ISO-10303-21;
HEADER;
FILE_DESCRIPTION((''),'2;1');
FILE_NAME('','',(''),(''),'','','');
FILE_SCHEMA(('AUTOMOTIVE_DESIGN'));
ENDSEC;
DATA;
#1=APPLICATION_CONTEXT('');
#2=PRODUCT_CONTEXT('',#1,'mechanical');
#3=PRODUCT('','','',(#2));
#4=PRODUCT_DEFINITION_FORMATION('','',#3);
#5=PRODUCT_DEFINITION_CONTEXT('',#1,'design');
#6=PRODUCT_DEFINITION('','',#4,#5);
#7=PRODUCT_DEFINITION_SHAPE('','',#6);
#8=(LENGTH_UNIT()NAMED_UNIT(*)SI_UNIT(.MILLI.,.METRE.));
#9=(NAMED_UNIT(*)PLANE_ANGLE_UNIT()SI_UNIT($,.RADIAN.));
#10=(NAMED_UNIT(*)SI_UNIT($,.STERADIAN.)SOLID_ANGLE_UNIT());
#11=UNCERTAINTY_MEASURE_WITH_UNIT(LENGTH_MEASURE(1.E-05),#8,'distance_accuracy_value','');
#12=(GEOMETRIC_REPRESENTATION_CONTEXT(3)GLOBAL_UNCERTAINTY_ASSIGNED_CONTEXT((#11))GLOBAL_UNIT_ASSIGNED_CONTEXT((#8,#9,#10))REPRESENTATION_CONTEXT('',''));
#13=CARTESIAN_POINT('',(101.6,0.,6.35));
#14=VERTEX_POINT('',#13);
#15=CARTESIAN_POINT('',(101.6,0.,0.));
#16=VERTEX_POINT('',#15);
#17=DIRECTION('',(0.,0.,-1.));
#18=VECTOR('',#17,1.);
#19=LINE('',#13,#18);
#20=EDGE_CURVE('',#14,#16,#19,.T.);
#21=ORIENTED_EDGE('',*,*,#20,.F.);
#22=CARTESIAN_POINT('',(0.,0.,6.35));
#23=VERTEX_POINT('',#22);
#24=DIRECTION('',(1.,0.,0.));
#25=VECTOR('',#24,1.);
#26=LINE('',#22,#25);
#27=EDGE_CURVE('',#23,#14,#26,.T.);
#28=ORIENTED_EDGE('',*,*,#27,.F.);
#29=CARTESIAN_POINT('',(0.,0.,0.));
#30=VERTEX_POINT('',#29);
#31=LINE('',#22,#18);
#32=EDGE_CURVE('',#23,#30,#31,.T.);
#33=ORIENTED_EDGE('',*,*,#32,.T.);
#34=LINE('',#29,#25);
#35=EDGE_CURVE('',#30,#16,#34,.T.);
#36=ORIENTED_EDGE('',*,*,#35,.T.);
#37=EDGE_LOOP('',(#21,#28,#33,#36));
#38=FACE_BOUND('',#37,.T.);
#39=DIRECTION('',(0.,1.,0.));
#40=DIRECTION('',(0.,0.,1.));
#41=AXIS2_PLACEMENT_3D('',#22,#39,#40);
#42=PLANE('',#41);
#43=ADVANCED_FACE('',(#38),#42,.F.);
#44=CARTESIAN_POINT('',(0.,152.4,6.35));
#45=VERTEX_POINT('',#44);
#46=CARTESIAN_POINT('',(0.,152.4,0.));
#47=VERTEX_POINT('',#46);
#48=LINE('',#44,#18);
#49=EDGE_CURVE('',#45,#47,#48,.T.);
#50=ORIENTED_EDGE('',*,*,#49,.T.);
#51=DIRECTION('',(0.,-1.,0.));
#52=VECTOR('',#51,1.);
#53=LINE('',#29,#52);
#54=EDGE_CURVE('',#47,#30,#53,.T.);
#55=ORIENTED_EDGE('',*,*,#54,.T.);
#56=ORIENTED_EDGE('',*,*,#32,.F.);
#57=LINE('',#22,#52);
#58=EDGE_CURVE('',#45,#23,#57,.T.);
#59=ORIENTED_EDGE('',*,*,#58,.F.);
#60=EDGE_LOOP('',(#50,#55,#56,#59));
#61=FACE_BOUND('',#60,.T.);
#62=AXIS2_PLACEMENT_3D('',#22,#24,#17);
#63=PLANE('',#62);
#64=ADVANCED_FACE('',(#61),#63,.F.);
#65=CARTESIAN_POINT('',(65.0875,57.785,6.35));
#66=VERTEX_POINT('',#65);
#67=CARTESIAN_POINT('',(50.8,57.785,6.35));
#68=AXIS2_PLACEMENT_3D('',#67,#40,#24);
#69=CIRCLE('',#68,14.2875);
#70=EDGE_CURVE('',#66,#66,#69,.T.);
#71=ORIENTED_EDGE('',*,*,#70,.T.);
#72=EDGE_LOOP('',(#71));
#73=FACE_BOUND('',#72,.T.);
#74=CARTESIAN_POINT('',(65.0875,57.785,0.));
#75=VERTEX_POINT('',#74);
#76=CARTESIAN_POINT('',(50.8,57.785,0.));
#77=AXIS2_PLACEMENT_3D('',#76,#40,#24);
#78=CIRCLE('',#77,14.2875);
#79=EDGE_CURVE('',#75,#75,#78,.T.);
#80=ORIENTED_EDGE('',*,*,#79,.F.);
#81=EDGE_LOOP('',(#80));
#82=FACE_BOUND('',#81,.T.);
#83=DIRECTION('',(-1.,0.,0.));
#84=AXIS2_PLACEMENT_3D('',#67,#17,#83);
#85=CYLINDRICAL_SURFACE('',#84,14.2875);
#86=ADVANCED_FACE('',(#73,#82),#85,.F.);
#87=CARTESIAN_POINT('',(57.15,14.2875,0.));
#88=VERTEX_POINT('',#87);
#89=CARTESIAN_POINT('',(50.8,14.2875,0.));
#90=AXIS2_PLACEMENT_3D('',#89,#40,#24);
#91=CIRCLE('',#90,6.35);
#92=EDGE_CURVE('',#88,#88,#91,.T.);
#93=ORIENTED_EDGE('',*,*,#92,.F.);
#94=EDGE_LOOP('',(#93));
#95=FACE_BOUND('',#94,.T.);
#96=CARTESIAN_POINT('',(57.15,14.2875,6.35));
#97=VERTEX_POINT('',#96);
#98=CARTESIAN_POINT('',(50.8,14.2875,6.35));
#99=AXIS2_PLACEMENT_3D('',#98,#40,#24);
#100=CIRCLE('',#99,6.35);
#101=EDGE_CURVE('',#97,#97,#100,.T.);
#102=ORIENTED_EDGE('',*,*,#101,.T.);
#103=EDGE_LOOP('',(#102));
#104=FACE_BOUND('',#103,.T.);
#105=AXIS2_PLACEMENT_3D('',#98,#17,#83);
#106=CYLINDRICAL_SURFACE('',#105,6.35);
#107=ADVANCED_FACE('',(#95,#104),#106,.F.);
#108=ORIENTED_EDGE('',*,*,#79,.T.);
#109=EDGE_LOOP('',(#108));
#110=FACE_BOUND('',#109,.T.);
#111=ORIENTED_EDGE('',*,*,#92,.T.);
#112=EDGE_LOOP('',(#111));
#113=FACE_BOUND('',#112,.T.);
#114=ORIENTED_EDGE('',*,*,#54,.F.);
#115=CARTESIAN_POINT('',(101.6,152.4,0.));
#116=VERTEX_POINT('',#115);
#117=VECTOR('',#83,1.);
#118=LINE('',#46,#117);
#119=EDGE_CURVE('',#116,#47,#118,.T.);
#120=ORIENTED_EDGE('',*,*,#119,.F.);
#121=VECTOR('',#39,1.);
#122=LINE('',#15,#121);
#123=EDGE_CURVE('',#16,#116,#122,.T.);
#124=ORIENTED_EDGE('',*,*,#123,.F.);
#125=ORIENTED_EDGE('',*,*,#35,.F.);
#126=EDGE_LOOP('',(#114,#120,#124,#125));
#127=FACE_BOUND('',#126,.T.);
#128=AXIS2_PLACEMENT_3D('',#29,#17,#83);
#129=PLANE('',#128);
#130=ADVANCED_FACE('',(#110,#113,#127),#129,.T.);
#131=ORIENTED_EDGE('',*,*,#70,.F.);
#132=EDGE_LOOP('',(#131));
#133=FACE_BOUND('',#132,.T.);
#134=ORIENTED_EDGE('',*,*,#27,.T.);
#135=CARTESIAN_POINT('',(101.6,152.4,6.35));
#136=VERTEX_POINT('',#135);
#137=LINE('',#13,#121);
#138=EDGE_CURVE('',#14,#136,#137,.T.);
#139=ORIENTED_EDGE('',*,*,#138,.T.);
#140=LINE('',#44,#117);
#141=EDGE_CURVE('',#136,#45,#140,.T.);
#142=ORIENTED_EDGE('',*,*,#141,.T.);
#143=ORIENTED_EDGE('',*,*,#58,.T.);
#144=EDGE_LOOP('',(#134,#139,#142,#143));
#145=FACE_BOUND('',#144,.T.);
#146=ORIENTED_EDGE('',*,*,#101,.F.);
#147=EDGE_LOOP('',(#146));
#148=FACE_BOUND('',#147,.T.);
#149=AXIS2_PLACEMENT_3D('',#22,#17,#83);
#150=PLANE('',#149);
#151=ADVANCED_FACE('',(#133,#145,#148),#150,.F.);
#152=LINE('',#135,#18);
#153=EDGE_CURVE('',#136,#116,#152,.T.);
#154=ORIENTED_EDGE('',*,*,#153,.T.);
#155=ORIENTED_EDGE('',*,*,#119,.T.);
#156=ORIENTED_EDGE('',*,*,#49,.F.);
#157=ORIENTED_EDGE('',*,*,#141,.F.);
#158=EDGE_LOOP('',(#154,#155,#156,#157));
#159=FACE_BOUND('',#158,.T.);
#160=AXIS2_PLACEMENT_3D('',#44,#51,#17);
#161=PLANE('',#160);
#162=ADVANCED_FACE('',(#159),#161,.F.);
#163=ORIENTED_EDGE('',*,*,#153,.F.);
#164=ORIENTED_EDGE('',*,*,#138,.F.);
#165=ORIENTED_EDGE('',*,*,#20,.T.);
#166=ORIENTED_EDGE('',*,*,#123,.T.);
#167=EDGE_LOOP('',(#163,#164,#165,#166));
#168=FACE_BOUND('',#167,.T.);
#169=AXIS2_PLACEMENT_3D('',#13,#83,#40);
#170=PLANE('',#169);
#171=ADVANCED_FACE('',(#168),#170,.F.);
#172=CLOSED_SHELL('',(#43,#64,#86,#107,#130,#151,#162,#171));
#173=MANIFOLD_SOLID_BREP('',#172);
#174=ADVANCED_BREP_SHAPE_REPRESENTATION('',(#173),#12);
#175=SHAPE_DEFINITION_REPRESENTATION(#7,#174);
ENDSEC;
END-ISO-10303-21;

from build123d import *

# Parameters (mm, degrees)
SKETCH1_W           = 101.6
SKETCH1_H           = 152.4
SKETCH1_R           = 14.2875
SKETCH1_R_2         = 6.35
BOSS_EXTRUDE1_DEPTH = 6.35


with BuildPart() as part:
    # Sketch1 → Boss-Extrude1 (new body)
    with BuildSketch(Plane.XY):
        with Locations((50.8, 76.2)):
            Rectangle(SKETCH1_W, SKETCH1_H)
        with Locations((50.8, 57.785)):
            Circle(SKETCH1_R, mode=Mode.SUBTRACT)
        with Locations((50.8, 14.2875)):
            Circle(SKETCH1_R_2, mode=Mode.SUBTRACT)
    extrude(amount=BOSS_EXTRUDE1_DEPTH)


solid = part.part
